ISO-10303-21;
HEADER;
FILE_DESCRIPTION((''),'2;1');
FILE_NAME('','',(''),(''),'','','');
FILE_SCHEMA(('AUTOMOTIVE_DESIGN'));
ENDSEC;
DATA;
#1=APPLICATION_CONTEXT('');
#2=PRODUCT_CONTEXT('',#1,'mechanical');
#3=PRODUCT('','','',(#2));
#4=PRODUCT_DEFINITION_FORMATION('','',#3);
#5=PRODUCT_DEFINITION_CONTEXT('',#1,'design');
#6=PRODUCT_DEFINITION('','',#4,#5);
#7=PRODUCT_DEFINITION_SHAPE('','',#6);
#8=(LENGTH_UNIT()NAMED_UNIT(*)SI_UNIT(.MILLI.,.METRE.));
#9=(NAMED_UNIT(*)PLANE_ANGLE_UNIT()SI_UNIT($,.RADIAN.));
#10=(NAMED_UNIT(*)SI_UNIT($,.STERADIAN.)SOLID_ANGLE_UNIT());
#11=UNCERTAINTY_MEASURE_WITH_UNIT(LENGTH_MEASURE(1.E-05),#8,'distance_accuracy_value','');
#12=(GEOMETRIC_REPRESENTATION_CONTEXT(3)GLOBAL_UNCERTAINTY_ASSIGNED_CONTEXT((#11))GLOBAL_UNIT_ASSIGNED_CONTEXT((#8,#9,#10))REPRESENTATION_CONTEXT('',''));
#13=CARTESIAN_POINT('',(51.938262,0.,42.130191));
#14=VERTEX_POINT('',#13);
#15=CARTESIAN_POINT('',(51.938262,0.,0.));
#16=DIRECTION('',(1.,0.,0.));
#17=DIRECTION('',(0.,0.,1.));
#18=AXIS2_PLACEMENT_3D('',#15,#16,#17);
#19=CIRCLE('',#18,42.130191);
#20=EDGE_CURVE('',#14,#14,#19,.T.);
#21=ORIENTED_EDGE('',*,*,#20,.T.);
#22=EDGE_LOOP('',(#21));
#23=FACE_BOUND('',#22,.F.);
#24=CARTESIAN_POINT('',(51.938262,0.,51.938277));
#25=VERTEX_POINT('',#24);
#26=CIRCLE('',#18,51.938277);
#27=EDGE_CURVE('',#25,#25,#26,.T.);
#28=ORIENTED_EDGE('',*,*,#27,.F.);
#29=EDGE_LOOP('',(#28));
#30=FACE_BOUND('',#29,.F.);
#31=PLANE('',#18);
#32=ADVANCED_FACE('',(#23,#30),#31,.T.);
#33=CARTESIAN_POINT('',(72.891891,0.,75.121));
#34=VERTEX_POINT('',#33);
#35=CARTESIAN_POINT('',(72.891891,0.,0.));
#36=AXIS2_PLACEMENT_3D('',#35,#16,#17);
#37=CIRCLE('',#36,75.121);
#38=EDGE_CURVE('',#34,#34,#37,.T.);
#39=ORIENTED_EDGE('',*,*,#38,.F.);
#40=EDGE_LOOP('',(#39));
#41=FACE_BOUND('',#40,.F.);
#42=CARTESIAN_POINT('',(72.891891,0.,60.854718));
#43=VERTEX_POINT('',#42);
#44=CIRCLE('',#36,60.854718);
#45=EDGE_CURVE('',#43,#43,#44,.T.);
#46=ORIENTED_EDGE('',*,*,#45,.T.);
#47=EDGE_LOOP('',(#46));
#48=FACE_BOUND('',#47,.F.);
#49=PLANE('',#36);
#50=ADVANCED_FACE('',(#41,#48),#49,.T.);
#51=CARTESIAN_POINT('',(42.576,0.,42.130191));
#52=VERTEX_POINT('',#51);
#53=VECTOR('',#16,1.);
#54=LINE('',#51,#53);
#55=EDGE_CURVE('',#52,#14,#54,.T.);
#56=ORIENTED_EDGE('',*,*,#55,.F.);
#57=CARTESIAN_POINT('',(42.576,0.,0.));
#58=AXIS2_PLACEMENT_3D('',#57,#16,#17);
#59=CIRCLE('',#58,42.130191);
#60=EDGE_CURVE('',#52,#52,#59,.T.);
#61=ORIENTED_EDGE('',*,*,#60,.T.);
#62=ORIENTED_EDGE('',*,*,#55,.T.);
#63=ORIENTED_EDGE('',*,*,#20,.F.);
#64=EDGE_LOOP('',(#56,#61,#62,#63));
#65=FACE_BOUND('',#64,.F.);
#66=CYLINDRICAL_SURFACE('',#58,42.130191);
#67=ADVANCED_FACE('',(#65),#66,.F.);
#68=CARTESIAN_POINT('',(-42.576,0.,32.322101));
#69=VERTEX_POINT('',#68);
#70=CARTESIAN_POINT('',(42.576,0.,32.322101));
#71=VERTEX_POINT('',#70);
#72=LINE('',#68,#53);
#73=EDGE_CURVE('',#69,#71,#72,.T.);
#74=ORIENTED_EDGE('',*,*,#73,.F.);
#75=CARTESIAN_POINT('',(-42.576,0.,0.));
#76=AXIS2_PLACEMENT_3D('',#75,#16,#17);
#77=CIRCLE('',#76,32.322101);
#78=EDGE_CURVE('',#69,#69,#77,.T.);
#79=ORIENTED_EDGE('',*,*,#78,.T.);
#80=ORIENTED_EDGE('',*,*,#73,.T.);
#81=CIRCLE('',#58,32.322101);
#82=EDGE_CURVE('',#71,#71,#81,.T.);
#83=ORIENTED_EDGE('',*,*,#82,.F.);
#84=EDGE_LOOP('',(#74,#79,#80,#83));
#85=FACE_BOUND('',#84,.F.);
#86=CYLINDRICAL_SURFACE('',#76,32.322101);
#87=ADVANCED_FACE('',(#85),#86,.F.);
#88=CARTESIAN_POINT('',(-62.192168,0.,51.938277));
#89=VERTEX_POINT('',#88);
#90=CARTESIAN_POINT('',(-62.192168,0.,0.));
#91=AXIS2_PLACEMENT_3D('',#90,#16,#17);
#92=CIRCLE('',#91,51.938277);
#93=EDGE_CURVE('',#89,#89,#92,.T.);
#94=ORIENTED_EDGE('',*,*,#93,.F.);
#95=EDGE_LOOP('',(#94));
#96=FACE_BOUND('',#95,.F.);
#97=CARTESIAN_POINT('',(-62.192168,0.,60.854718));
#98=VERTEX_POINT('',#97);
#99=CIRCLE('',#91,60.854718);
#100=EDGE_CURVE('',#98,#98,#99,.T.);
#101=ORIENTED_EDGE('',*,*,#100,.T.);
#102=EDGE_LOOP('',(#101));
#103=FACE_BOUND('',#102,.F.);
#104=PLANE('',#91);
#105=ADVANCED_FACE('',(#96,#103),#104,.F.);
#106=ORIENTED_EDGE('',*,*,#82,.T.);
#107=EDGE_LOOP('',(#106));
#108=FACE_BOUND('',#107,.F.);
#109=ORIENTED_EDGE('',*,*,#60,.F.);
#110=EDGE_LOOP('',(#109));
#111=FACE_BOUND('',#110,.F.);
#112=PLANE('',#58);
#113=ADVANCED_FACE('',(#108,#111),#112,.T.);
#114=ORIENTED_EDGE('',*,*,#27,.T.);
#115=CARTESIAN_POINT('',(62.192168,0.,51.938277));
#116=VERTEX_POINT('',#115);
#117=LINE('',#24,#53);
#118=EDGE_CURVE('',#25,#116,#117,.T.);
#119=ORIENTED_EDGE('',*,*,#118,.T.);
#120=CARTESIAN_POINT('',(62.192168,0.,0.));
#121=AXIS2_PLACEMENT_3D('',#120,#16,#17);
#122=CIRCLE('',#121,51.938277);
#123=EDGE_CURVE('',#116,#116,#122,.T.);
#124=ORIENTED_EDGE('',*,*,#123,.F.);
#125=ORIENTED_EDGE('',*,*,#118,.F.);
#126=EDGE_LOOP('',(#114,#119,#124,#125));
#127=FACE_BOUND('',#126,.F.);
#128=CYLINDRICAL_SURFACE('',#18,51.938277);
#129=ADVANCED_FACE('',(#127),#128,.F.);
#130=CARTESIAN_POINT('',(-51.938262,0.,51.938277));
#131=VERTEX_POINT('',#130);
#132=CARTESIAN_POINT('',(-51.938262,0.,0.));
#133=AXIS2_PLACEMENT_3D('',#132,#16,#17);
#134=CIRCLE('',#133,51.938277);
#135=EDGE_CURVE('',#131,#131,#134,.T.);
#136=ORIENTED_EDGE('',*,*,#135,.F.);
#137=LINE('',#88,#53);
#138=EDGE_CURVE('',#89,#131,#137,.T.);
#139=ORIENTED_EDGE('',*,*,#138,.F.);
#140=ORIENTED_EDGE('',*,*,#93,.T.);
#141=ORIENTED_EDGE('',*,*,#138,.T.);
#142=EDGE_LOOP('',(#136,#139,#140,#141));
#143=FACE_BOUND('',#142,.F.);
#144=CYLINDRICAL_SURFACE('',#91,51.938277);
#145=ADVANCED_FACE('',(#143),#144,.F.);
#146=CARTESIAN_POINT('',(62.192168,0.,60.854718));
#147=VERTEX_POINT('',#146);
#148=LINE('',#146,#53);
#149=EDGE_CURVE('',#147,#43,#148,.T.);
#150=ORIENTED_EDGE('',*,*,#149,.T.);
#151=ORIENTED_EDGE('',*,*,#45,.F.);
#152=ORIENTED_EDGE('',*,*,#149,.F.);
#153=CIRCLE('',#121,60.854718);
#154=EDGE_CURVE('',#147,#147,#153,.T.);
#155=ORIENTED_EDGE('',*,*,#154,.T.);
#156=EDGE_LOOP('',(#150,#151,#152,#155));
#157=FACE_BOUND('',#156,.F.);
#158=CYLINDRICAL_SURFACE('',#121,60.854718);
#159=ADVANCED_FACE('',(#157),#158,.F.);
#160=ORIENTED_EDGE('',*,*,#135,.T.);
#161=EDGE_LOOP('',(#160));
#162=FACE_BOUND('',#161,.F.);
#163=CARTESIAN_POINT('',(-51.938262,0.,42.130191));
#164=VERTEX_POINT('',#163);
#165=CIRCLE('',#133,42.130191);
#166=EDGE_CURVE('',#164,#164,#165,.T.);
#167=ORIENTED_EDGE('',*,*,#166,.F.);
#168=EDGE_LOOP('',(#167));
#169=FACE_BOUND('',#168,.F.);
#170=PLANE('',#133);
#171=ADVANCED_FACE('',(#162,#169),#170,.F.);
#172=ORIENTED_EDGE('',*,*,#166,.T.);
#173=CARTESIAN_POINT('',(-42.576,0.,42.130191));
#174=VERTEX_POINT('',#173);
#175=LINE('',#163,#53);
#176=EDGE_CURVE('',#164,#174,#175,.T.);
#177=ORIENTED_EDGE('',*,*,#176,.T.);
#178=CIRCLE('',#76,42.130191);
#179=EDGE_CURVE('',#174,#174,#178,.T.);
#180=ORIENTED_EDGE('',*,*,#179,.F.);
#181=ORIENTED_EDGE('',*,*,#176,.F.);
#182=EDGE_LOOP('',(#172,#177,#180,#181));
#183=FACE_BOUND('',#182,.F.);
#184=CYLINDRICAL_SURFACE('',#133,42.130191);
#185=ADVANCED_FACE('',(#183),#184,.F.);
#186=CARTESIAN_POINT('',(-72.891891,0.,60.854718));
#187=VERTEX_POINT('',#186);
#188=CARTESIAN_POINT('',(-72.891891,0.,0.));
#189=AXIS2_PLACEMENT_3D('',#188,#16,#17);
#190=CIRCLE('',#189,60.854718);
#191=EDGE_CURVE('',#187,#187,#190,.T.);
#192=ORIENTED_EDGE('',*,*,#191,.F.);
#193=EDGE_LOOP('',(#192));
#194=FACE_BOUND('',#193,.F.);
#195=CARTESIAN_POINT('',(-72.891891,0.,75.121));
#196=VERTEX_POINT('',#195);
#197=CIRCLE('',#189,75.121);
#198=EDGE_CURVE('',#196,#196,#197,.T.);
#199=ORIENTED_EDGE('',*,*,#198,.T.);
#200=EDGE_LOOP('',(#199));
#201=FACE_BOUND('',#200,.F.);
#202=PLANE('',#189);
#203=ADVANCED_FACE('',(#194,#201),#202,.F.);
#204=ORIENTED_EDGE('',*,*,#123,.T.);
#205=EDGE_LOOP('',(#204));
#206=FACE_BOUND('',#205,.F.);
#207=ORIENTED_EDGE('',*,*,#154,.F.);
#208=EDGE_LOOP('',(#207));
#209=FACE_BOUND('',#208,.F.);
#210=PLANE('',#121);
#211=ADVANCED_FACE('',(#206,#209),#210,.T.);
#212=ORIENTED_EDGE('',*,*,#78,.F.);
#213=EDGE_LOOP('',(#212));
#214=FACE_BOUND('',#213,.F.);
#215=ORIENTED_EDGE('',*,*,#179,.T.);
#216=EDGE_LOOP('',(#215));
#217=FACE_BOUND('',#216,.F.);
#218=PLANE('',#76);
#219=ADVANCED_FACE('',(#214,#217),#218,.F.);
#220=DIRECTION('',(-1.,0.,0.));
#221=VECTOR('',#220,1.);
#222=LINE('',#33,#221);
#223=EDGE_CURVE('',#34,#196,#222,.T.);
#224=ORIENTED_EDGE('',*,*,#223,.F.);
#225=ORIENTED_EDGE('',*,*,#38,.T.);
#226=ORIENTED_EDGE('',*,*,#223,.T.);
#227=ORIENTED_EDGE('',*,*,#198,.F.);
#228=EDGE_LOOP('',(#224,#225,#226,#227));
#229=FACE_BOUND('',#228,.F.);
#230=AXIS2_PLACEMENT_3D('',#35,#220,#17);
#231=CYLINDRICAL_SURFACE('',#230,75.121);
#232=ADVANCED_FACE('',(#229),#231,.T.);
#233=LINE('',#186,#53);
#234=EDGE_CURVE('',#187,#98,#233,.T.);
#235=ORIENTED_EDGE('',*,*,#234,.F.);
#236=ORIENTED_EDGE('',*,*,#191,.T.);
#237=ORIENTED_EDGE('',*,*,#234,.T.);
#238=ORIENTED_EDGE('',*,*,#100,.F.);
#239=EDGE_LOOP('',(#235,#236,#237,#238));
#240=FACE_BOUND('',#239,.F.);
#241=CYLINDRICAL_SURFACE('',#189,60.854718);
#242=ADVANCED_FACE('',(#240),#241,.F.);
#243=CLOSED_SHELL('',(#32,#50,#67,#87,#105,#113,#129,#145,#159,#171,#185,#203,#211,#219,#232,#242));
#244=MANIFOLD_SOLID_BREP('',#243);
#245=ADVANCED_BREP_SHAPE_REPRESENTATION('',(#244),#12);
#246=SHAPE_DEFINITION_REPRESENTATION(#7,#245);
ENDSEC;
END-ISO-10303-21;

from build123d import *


with BuildPart() as f1:
    # F0 (on Front) → F1 (revolve)
    with BuildSketch(Plane.XZ):
        Polygon((-42.576, 32.322101), (0, 32.322101), (0, 75.121), (-72.891891, 75.121), (-72.891891, 60.854718), (-62.192168, 60.854718), (-62.192168, 51.938277), (-51.938262, 51.938277), (-51.938262, 42.130191), (-42.576, 42.130191), align=None)
        Polygon((0, 75.121), (0, 32.322101), (42.576, 32.322101), (42.576, 42.130191), (51.938262, 42.130191), (51.938262, 51.938277), (62.192168, 51.938277), (62.192168, 60.854718), (72.891891, 60.854718), (72.891891, 75.121), align=None)
    revolve(axis=Axis((0.891461, 0, 0), (1, 0, 0)))


solid = f1.part
